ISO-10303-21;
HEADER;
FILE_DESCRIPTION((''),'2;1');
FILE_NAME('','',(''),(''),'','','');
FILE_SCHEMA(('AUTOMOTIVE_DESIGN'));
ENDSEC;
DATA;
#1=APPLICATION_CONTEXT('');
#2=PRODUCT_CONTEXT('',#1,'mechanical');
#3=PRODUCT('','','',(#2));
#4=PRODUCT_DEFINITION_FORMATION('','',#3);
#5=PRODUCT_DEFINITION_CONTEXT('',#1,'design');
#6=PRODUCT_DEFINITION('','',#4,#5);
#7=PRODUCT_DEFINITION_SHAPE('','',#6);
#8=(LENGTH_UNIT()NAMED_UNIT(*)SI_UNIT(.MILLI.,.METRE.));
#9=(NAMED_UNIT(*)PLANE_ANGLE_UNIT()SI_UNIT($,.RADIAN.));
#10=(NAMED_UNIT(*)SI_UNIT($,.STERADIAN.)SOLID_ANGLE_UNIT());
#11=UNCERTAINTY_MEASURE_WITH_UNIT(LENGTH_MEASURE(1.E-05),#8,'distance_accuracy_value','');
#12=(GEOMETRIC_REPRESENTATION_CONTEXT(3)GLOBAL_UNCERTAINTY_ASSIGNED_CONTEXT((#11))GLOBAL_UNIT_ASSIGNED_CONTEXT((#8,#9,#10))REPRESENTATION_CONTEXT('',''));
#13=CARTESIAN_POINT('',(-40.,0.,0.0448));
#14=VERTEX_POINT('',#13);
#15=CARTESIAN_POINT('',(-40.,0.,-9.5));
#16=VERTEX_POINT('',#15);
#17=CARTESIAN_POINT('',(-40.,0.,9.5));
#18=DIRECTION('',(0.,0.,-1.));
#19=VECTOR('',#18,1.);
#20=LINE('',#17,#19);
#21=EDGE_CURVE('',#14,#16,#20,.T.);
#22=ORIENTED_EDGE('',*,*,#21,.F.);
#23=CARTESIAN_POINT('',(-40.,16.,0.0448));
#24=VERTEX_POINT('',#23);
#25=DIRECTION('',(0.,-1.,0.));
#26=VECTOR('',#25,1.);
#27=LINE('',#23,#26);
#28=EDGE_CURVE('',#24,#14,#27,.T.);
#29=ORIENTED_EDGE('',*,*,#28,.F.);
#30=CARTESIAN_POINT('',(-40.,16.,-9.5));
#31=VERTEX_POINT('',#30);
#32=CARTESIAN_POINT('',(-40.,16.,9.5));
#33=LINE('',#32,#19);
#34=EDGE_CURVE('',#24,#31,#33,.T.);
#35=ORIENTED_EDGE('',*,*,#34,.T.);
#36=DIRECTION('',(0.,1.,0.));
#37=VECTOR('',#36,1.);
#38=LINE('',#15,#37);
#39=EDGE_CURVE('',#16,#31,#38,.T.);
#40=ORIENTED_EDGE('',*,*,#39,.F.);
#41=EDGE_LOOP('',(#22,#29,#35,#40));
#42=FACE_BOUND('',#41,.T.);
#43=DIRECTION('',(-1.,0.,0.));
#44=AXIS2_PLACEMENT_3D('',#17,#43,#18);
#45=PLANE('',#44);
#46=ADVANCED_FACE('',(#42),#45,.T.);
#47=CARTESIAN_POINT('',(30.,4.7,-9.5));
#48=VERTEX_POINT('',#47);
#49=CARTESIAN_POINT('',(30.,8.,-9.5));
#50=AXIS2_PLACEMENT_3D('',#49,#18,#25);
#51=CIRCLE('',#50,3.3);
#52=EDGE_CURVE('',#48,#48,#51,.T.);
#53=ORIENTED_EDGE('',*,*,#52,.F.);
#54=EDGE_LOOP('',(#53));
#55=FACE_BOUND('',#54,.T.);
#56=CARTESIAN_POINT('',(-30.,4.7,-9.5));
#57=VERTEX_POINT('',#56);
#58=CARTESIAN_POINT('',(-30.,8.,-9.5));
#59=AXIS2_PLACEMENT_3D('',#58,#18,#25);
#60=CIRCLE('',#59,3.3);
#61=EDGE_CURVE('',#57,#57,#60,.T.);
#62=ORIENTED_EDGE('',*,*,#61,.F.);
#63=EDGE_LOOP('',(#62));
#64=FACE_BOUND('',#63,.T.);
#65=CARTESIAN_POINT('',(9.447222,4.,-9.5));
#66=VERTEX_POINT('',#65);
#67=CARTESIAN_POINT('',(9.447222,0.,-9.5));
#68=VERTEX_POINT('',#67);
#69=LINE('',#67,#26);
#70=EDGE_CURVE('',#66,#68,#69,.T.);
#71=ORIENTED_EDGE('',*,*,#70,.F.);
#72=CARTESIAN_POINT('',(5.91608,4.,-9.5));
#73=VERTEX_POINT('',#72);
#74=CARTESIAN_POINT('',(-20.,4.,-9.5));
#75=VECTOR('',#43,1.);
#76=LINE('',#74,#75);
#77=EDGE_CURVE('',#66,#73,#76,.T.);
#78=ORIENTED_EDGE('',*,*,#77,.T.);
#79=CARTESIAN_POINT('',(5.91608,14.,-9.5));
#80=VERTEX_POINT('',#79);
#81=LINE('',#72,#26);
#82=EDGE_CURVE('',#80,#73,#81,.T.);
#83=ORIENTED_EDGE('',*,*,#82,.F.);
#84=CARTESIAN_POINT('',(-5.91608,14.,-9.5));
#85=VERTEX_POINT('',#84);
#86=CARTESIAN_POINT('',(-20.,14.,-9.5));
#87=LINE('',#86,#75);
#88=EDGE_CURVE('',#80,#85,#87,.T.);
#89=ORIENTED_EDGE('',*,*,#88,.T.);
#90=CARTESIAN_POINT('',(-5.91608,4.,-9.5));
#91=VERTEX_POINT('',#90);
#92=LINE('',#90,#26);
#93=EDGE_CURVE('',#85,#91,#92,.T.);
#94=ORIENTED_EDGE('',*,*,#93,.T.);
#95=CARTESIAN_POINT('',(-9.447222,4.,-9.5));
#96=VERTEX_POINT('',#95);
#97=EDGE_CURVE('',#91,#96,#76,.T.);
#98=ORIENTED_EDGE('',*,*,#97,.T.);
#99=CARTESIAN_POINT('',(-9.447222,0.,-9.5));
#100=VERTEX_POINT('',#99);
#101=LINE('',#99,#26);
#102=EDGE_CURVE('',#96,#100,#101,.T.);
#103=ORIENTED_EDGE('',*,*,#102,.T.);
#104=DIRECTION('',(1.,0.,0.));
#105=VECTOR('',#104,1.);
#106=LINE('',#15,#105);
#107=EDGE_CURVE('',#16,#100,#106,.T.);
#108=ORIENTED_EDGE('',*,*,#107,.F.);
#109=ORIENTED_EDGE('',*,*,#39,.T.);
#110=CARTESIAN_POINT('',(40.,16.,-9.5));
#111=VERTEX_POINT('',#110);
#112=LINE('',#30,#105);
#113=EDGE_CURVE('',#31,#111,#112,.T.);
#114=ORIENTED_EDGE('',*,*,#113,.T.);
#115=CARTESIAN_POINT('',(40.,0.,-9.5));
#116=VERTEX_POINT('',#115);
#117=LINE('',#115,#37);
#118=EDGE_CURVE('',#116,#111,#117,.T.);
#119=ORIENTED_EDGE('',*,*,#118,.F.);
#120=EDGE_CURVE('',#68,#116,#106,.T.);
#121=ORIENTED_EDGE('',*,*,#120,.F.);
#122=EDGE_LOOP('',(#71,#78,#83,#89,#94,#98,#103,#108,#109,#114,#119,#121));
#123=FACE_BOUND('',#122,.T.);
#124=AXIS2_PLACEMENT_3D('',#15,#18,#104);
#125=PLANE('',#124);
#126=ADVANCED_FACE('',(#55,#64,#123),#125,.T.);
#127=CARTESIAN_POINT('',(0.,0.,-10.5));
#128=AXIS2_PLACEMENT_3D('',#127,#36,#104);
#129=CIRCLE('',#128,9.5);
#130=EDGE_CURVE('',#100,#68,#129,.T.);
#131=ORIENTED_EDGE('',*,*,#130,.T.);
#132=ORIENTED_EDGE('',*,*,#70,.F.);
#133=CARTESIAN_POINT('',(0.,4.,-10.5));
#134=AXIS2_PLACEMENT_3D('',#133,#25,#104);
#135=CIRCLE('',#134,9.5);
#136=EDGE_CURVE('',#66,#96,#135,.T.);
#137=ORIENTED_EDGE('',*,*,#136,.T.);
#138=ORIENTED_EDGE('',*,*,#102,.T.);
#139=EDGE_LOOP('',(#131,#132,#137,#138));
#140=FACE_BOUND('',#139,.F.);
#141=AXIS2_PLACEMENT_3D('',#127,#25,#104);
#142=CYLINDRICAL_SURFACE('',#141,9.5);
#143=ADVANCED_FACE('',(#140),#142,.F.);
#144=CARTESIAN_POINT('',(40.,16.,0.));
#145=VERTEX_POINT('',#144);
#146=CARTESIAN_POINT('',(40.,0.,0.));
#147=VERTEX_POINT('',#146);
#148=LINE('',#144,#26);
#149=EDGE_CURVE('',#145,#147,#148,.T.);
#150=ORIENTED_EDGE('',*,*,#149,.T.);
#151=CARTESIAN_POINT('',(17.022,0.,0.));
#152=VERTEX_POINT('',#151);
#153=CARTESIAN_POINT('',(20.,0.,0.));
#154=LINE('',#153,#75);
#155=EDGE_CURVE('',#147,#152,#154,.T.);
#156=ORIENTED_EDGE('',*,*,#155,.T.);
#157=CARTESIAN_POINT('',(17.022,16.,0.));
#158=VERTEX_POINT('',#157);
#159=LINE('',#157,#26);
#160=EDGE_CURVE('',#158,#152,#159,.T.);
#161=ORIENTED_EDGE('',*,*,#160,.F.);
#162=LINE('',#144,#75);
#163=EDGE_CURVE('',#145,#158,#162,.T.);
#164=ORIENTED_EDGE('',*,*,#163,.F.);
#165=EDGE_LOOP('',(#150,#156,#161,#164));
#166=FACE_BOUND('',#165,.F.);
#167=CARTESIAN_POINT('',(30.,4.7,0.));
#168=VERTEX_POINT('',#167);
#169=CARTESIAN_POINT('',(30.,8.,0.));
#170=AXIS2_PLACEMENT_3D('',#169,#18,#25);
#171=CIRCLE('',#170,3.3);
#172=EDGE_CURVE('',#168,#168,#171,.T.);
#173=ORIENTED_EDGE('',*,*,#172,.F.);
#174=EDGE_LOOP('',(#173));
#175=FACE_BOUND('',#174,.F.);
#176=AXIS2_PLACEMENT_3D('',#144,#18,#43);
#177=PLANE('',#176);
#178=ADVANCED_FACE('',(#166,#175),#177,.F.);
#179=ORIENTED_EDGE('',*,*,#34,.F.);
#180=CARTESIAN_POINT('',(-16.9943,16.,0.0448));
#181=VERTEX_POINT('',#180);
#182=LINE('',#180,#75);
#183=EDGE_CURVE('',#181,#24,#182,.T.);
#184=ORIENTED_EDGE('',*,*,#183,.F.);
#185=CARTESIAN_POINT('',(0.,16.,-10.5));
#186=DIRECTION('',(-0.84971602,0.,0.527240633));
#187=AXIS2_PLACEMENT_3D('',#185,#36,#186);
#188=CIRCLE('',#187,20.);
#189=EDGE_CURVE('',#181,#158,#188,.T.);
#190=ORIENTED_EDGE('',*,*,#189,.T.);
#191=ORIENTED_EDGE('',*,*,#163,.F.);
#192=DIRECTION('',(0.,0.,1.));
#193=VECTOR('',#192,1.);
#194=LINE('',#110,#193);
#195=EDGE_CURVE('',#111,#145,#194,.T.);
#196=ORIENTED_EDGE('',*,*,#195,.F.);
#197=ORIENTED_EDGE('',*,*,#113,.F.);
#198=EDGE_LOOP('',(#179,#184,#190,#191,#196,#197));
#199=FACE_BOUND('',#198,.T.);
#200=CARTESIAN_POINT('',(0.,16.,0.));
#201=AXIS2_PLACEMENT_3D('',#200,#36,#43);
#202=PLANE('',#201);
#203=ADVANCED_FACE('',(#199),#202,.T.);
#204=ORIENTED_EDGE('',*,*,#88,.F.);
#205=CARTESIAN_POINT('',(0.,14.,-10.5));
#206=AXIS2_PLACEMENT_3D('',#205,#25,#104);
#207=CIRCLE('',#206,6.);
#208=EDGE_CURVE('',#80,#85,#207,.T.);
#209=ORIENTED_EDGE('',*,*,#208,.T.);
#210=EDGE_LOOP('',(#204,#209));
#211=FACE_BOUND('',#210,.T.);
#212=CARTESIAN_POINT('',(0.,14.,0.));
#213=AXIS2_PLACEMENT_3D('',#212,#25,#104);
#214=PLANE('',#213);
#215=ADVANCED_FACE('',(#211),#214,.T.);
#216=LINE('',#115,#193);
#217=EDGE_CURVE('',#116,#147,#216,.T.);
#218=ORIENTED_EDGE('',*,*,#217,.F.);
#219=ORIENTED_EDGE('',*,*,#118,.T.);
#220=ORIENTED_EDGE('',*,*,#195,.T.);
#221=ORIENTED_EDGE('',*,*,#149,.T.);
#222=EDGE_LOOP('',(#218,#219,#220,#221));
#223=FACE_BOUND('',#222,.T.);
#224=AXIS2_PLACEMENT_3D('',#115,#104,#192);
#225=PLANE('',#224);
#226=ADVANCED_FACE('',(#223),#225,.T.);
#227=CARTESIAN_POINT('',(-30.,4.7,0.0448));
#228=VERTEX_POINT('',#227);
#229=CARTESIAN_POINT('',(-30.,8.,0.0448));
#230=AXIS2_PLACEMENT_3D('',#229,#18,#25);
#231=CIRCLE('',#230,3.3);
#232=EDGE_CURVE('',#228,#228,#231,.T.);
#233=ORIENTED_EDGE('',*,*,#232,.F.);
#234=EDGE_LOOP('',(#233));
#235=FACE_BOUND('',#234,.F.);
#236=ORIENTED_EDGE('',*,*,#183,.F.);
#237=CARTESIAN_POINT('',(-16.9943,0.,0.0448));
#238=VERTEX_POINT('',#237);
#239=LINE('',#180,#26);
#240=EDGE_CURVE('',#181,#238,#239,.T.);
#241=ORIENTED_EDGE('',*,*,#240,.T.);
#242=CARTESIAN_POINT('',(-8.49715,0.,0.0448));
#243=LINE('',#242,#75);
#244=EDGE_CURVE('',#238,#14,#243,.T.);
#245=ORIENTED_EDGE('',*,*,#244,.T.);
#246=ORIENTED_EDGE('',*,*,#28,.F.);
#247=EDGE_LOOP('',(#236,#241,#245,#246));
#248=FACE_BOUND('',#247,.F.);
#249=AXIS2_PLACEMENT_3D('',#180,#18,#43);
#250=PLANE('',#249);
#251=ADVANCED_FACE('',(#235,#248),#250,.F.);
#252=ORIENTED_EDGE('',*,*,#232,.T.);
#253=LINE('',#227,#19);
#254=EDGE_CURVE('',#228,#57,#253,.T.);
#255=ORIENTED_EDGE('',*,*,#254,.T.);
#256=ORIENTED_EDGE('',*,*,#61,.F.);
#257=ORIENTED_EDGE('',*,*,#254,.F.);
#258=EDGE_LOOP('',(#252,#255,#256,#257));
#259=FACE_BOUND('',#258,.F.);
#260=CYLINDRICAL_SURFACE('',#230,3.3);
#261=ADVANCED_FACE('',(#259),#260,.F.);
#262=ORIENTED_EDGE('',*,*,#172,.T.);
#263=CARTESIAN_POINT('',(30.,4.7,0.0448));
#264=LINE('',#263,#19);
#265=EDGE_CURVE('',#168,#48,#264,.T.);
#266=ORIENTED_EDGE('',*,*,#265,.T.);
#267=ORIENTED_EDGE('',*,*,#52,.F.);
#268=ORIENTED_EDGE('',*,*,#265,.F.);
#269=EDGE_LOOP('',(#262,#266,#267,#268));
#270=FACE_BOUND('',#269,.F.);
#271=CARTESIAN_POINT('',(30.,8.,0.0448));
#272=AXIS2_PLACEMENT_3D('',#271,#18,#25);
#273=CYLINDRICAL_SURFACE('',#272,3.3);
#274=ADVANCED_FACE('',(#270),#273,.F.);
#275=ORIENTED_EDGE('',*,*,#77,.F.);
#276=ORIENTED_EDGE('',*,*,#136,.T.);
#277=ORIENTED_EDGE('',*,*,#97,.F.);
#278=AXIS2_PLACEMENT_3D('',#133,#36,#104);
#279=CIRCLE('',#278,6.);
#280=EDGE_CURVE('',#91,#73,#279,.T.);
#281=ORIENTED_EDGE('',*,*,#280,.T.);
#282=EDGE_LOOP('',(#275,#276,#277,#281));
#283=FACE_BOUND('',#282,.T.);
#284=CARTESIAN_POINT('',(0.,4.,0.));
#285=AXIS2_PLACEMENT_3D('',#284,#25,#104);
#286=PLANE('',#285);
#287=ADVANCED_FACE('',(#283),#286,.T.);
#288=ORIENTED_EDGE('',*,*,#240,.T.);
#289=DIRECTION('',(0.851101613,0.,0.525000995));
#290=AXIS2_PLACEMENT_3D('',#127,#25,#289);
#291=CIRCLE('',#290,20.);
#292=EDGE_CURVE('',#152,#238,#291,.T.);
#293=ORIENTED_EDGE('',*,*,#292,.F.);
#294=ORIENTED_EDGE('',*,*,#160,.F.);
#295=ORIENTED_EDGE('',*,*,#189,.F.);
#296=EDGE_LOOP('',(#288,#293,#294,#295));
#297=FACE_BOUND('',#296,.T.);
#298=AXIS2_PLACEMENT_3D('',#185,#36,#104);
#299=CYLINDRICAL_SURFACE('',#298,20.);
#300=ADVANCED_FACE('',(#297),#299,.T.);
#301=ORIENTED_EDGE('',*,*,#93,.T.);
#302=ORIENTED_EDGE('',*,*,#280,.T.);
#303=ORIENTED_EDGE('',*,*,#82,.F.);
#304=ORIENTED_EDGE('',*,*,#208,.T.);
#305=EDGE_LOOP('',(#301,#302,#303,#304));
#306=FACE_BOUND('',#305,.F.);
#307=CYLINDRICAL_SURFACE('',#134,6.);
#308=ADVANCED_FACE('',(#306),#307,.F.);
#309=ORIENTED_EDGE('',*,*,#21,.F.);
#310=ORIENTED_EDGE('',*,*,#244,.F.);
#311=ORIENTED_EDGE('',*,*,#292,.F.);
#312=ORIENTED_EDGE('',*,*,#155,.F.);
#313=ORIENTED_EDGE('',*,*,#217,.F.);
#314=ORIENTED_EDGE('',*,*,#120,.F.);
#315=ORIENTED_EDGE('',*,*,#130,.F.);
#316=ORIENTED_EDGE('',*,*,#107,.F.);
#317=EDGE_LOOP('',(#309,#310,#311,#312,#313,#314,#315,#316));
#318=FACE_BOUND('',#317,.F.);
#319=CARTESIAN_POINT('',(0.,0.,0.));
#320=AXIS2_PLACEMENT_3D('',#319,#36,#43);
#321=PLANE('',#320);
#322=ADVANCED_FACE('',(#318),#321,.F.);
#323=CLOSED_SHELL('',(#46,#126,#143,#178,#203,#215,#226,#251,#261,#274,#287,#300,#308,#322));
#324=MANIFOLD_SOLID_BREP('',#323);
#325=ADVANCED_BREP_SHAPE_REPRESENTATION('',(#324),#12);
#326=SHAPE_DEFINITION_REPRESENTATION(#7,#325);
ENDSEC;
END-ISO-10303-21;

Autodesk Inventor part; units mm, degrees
ref_plane "YZ Plane" through (0, 0, 0) normal (1, 0, 0) x (0, 1, 0)
ref_plane "XZ Plane" through (0, 0, 0) normal (0, 1, 0) x (-1, 0, 0)
ref_plane "XY Plane" through (0, 0, 0) normal (0, 0, 1) x (1, 0, 0)
sketch "Schizzo1" plane through (0, 0, 0) normal (0, 1, 0) x (-1, 0, 0)
  line L0 (40, -9.5) -> (-40, -9.5)
  line L1 (-40, -9.5) -> (-40, 9.5)
  line L2 (-40, 9.5) -> (40, 9.5)
  line L3 (40, 9.5) -> (40, -9.5)
  line L4 (40, -9.5) -> (-40, 9.5) construction
  line L5 (-40, -9.5) -> (40, 9.5) construction
  point P0 (0, 0)
  point P1 (0, 0)
  point P2 (0, 0)
  dimension "d0" = 19
  dimension "d15" = 80
extrude "Estrusione1" add sketch "Schizzo1" along normal blind 16
sketch "Schizzo2" plane through (0, 0, 0) normal (0, -1, 0) x (1, 0, 0)
  line L0 (40, -9.5) -> (-40, -9.5) projected
  line L1 (0, -9.5) -> (0, -10.5)
  line L2 (0, -9.5) -> (1, -9.5) construction
  circle A0 centre (0, -10.5) radius 9.5
  point P0 (0, 0)
  dimension "d9" = 1
  dimension "d10" = 90
  dimension "d11" = 19
extrude "Estrusione2" cut sketch "Schizzo2" against normal blind 4
sketch "Schizzo3" plane through (0, 4, 0) normal (0, -1, 0) x (1, 0, 0)
  line L0 (9.4472, -9.5) -> (-9.4472, -9.5) projected
  line L1 (0, -9.5) -> (0, -10.5)
  line L2 (0, -9.5) -> (1, -9.5) construction
  circle A0 centre (0, -10.5) radius 6
  point P0 (0, 0)
  point P1 (9.5, -24.5)
  point P2 (-9.5, -24.5)
  point P3 (-9.4472, -9.5)
  dimension "d12" = 1
  dimension "d13" = 90
  dimension "d14" = 12
extrude "Estrusione3" cut sketch "Schizzo3" against normal blind 10
sketch "Schizzo5" plane through (0, 16, 0) normal (0, 1, 0) x (1, 0, 0)
  line L0 (40, 9.5) -> (-40, 9.5) projected
  line L1 (0, 9.5) -> (0, 10.5)
  line L2 (0, 9.5) -> (1, 9.5) construction
  circle A0 centre (0, 10.5) radius 20
  line L3 (40, -9.5) -> (40, 9.5) projected
  line L4 (-40, -9.5) -> (40, -9.5) projected
  line L5 (0, -9.5) -> (40, -9.5)
  line L6 (40, -9.5) -> (40, 9.5) projected
  line L7 (40, 0) -> (17.022, 0)
  line L8 (0, -9.5) -> (-40, -9.5)
  line L9 (-40, -9.5) -> (-40, -0.0448)
  line L10 (-40, 9.5) -> (-40, -9.5) projected
  line L11 (-40, -9.5) -> (-40, -0.0448)
  line L12 (-16.9943, -0.0448) -> (-40, -0.0448)
  point P0 (0, 0)
  dimension "d16" = 1
  dimension "d17" = 90
extrude "Estrusione4" cut sketch "Schizzo5" against normal blind 30 contours L3 L4 A0 L7 | L4 L9 L12 A0
sketch "Schizzo6" plane through (-40, 16, 0.0448) normal (0, 0, 1) x (1, 0, 0)
  line L0 (40, -16) -> (40, -8)
  line L1 (40, -16) -> (48, -16) construction
  line L2 (40, -8) -> (10, -8)
  line L3 (40, -8) -> (70, -8)
  line L4 (40, -8) -> (70, -8) construction
  dimension "d20" = 8
  dimension "d21" = 90
  dimension "d22" = 30
  dimension "d23" = 90
  dimension "d24" = 30
  dimension "d25" = 0
hole "Foro1" at (30, 8, 0.0448) at (-30, 8, 0.0448) direction (0, 0, -1) diameter 6.6 end through all clearance for "Bullone a testa esagonale" size "M6" standard "ANSI - Profilo M Metrico"
properties part number "14_base_avanti"
